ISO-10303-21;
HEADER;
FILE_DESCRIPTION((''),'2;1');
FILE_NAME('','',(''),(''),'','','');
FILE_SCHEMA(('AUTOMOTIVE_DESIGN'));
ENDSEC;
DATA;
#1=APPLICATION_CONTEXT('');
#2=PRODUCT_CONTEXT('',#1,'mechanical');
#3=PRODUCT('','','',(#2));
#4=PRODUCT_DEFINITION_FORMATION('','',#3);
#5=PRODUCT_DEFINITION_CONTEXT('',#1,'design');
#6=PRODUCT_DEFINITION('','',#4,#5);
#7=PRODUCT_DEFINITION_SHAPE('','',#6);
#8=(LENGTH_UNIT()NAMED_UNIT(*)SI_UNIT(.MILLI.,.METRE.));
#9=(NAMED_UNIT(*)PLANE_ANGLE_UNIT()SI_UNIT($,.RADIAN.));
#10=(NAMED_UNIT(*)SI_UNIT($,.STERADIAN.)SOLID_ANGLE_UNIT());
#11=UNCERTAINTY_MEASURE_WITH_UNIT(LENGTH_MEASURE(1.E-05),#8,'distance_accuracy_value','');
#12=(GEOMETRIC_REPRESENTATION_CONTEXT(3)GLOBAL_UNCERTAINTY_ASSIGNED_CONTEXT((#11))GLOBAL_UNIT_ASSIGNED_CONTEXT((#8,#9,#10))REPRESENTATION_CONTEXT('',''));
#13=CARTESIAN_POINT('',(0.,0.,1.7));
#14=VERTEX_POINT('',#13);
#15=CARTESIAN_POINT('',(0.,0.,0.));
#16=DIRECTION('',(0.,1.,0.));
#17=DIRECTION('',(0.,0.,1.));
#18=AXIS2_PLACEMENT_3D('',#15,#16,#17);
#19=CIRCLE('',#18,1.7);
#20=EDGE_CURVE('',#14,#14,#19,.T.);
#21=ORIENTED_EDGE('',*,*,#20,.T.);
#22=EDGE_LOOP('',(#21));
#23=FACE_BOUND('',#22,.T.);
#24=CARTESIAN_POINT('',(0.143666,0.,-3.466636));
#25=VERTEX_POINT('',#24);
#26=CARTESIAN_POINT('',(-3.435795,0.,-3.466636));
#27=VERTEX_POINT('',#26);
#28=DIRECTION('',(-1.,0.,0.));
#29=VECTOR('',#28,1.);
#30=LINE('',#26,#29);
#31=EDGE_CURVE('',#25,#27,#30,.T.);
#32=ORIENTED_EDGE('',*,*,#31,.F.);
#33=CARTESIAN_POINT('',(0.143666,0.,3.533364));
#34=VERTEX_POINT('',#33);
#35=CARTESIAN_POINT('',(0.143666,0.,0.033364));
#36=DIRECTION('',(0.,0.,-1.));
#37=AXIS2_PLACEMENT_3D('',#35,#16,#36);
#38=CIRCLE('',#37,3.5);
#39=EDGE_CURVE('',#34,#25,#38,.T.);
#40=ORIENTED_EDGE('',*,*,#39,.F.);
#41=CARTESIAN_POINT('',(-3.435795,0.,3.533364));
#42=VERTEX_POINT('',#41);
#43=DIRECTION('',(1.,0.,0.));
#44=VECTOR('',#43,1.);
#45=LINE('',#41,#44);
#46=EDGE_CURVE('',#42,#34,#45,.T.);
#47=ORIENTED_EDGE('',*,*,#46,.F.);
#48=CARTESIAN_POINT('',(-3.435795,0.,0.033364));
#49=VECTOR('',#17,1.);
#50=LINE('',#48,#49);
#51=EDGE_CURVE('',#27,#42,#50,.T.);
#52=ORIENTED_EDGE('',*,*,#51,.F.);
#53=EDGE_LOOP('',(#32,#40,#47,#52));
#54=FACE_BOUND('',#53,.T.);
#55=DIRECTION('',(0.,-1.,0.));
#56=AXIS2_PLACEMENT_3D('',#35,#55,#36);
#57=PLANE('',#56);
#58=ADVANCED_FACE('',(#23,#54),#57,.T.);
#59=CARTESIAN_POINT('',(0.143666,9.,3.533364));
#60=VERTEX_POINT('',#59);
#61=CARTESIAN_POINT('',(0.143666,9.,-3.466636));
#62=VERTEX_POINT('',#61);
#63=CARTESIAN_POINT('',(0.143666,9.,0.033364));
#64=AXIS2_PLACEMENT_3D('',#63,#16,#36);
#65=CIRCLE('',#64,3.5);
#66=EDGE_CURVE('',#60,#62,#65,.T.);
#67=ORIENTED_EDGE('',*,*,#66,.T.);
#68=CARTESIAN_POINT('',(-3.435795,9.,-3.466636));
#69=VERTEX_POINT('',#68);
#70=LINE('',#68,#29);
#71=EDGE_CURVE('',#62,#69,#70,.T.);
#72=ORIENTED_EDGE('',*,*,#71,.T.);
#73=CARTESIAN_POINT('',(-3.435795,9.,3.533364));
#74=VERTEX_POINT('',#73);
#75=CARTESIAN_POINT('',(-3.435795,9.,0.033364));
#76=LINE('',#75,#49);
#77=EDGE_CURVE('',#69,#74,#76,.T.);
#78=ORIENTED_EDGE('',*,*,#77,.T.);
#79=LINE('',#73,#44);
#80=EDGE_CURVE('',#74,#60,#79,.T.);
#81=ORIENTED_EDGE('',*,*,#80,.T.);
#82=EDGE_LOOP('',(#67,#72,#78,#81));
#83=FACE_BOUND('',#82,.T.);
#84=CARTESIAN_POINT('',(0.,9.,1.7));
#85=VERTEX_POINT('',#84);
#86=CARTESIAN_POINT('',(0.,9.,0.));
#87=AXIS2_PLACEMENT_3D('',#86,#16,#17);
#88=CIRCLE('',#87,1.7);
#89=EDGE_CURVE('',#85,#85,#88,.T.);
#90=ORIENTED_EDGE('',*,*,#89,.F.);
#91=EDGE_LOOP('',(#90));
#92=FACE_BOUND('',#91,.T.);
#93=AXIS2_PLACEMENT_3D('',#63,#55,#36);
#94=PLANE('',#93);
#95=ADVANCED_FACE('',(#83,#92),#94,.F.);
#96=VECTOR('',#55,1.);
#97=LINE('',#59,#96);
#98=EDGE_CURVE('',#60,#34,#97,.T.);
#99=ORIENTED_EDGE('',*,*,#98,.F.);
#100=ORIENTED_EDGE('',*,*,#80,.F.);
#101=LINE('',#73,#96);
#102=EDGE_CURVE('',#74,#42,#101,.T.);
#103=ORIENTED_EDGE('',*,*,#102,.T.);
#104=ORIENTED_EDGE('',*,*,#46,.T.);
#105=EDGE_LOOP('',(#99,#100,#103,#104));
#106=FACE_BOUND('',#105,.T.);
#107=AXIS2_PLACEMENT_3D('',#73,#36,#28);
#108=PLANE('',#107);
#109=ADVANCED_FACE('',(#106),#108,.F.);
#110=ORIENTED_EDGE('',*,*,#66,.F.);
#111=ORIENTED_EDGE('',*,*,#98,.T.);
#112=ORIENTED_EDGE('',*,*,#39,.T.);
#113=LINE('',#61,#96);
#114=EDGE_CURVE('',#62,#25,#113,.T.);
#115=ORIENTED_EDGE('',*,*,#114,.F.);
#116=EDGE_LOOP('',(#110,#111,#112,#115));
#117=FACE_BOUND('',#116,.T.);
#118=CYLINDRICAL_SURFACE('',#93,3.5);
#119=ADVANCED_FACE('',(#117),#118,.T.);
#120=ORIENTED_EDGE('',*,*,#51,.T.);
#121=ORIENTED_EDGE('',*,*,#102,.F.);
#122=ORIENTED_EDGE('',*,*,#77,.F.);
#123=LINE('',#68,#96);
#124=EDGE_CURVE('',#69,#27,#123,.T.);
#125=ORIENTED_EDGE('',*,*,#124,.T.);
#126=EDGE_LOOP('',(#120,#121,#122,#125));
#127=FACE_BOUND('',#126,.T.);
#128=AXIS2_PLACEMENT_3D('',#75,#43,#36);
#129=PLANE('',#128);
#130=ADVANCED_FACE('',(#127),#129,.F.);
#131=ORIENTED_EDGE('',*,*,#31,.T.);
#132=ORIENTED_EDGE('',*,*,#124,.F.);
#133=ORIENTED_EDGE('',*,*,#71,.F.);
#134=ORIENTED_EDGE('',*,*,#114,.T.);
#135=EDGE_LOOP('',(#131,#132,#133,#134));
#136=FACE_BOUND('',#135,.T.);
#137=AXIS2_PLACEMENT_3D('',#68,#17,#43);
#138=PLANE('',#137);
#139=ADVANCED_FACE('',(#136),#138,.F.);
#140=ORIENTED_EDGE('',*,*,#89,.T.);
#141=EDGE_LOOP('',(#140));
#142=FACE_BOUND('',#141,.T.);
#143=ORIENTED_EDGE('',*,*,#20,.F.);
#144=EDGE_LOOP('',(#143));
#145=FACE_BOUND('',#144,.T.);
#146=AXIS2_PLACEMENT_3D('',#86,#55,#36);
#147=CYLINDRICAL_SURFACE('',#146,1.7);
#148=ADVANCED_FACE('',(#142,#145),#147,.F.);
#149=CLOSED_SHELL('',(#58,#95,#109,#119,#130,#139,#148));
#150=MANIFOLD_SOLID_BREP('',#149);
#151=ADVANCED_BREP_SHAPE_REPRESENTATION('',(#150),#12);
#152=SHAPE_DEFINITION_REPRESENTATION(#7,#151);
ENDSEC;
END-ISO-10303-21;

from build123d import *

# Parameters (mm, degrees)
SKETCH1_R           = 1.7
BOSS_EXTRUDE2_DEPTH = 9


with BuildPart() as part:
    # Sketch1 → Boss-Extrude2 (new body)
    with BuildSketch(Plane(origin=(0, 0, 0), x_dir=(1, 0, 0), z_dir=(0, 1, 0))):
        with BuildLine():
            Line((-3.435794878, -0.033363683), (-3.435794878, 3.466636317))
            Line((-3.435794878, 3.466636317), (0.143666226, 3.466636317))
            ThreePointArc((0.143666226, 3.466636317), (3.643666226, -0.033363683), (0.143666226, -3.533363683))
            Line((0.143666226, -3.533363683), (-3.435794878, -3.533363683))
            Line((-3.435794878, -3.533363683), (-3.435794878, -0.033363683))
        make_face()
        with Locations(Location((0, 0, 0), (0, 0, 270))):
            Circle(SKETCH1_R, mode=Mode.SUBTRACT)
    extrude(amount=BOSS_EXTRUDE2_DEPTH)


solid = part.part
